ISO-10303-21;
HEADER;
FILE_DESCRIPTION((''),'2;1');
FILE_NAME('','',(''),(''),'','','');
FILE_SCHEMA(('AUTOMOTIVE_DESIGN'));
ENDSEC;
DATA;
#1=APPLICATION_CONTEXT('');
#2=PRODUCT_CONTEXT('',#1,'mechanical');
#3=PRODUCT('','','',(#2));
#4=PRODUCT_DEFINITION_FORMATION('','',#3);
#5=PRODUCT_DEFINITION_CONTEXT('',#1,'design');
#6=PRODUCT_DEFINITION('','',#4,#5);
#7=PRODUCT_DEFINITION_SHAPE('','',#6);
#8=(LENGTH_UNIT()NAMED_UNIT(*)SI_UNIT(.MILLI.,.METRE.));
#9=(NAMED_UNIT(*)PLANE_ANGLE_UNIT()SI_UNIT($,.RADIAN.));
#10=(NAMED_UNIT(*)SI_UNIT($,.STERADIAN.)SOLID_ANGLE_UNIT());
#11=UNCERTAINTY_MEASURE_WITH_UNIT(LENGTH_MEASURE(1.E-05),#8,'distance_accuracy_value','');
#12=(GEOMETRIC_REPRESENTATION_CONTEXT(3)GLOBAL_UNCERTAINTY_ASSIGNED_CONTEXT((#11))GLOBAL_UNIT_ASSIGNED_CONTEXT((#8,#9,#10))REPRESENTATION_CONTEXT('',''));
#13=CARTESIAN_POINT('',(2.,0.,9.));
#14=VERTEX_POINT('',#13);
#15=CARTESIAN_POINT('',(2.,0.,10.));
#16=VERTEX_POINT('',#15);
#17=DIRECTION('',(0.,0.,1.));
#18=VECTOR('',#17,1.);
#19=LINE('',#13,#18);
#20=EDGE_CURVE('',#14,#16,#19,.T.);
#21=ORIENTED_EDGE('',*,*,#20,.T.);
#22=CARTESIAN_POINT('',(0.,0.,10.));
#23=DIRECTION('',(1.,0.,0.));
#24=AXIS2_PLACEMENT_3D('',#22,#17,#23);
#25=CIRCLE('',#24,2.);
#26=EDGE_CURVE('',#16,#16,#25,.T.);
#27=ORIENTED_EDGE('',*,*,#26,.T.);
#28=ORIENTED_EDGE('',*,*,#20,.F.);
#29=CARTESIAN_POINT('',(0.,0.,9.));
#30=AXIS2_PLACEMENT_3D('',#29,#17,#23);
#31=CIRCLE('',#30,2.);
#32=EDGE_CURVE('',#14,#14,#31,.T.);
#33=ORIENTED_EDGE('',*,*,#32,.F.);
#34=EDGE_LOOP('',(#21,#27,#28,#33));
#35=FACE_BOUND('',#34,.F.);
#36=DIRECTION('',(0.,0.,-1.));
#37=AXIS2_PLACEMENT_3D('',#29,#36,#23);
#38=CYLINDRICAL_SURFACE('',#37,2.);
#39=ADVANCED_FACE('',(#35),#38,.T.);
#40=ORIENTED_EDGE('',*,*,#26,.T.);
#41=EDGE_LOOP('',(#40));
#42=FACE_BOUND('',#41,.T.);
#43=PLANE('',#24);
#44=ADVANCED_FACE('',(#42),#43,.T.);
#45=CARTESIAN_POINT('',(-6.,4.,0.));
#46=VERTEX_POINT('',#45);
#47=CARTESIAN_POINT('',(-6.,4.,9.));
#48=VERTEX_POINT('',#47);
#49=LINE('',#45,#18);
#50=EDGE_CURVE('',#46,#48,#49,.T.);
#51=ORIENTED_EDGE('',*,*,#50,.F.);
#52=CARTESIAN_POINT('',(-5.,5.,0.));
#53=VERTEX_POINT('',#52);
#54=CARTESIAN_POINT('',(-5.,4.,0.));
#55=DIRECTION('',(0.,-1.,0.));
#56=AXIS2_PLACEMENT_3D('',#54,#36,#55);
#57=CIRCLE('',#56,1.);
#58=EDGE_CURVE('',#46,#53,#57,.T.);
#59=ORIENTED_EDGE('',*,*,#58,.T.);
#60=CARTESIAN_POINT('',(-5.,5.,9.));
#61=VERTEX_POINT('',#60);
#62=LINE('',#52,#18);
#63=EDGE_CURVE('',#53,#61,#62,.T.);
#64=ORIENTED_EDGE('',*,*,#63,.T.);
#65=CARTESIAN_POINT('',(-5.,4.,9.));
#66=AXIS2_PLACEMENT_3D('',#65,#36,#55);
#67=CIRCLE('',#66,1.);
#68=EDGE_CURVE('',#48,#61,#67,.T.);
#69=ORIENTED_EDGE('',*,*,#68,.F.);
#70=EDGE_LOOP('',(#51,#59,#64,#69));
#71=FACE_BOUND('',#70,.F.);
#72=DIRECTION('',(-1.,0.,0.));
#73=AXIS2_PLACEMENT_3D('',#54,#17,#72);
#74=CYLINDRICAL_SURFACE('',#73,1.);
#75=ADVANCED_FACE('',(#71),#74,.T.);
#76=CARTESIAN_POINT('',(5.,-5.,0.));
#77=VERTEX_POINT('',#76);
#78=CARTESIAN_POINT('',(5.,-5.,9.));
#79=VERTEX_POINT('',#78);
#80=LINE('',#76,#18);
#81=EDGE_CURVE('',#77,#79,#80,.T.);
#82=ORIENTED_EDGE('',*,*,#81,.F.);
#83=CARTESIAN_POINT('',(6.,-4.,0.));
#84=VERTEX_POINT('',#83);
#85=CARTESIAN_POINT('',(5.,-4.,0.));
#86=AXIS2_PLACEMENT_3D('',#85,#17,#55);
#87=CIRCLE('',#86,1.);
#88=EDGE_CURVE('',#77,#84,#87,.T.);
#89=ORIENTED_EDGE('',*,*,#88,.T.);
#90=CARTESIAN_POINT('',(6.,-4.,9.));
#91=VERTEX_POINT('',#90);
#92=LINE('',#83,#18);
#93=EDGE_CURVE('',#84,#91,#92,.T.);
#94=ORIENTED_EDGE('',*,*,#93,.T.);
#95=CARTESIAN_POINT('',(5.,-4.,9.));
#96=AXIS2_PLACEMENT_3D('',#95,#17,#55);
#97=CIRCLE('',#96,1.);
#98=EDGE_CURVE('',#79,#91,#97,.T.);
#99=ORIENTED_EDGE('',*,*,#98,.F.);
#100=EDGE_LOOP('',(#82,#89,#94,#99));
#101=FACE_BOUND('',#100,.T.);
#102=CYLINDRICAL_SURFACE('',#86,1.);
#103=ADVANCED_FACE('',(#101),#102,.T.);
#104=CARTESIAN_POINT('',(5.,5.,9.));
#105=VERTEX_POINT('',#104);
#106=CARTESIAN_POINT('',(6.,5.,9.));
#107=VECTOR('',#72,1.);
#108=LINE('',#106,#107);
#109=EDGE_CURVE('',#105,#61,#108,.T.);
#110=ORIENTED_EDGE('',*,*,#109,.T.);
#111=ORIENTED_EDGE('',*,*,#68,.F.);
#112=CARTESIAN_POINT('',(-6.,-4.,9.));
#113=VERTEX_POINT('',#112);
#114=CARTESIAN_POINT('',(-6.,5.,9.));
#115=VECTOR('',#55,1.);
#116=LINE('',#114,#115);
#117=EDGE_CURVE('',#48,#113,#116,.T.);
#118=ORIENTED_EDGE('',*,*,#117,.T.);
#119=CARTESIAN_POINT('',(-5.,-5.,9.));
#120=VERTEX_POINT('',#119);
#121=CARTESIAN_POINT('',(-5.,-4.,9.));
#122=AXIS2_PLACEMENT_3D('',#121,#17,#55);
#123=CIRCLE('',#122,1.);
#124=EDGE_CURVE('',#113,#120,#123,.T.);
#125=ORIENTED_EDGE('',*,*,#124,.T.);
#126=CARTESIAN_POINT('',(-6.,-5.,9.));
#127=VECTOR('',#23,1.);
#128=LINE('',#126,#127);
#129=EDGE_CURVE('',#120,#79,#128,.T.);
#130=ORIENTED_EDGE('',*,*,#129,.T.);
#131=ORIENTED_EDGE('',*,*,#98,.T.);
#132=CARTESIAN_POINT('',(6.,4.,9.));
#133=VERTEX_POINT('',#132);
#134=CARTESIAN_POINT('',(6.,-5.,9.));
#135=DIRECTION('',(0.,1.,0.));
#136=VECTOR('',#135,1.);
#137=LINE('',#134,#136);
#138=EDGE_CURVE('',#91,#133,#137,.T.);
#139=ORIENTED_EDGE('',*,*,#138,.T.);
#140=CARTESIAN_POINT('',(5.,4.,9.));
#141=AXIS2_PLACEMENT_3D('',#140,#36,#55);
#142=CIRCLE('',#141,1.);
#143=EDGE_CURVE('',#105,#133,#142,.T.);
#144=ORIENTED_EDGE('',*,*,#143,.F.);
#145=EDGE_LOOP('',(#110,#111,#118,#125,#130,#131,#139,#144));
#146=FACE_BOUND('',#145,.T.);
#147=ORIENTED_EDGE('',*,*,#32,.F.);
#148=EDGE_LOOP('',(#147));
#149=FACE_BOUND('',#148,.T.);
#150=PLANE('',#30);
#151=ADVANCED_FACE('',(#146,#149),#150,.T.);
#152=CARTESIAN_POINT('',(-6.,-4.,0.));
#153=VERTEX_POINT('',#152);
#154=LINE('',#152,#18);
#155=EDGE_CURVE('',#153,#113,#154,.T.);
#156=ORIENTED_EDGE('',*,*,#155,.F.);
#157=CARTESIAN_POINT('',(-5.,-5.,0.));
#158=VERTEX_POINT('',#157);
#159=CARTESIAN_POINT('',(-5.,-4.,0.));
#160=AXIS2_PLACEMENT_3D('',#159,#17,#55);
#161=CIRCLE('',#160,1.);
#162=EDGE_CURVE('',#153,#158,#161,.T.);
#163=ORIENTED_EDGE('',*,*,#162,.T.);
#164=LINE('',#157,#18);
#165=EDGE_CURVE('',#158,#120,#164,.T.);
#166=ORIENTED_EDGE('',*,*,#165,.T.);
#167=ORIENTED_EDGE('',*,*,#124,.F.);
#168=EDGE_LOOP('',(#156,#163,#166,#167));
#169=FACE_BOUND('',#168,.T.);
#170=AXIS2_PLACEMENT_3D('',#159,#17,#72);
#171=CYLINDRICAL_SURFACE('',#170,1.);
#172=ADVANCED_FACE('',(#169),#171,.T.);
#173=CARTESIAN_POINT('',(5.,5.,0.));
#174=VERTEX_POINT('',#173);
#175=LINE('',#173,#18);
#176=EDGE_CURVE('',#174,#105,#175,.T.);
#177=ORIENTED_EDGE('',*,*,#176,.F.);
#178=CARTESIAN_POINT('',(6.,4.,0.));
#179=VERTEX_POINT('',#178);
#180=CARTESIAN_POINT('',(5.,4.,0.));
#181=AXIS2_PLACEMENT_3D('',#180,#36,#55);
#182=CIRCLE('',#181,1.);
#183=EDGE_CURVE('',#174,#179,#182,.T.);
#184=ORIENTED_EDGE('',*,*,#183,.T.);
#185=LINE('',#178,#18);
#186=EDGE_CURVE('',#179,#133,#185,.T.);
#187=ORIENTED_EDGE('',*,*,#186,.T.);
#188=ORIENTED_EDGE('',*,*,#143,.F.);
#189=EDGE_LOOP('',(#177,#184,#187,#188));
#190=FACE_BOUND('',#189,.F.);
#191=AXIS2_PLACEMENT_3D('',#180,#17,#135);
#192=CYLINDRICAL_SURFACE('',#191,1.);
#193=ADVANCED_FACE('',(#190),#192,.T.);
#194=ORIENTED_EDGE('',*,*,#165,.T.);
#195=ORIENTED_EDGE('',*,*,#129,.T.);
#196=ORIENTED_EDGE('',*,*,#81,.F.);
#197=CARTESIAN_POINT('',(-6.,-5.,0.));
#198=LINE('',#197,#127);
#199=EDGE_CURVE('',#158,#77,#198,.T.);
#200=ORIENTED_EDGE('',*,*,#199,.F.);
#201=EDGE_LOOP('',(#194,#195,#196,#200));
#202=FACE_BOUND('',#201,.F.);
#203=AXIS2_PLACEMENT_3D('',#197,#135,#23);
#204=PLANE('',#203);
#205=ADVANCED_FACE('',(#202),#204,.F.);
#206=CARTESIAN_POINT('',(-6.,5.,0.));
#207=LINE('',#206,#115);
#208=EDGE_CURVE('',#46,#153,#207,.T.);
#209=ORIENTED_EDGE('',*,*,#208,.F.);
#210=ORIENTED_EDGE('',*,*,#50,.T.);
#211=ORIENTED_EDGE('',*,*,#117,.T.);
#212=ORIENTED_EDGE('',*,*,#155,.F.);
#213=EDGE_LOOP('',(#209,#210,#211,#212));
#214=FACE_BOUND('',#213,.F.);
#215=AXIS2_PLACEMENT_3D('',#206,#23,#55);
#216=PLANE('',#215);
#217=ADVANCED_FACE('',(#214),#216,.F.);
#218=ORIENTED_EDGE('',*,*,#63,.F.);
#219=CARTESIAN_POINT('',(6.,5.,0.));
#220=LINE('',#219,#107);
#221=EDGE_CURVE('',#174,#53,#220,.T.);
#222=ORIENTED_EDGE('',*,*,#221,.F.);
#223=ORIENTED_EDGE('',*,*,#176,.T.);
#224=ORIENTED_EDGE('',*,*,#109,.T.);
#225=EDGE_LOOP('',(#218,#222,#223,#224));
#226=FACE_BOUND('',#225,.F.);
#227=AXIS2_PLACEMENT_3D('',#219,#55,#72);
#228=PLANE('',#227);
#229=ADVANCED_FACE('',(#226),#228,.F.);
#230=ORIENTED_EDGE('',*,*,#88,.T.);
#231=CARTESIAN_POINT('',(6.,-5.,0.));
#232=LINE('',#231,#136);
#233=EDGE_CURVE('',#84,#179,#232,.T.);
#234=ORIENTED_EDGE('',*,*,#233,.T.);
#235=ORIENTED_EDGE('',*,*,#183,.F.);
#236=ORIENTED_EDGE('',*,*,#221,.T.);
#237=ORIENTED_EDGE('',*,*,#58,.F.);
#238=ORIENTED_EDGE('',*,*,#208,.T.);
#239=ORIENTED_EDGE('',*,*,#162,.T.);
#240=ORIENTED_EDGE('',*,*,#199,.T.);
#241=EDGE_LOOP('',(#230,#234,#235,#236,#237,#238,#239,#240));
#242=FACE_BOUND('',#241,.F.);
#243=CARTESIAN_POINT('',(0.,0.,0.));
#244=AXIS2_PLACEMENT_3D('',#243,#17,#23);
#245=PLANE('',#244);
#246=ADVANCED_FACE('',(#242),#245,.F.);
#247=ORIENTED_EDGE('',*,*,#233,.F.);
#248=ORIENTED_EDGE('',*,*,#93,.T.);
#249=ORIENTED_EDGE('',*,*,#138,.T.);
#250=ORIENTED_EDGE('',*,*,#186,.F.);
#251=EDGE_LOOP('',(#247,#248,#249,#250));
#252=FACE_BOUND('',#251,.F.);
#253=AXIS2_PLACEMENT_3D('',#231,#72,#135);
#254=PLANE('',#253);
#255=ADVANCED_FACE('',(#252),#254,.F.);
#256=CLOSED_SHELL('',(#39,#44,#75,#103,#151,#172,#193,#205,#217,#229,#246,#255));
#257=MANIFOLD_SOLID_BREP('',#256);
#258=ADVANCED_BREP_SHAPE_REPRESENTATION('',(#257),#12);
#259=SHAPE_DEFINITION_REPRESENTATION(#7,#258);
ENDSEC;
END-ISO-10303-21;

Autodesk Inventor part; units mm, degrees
ref_plane "YZ Plane" through (0, 0, 0) normal (1, 0, 0) x (0, 1, 0)
ref_plane "XZ Plane" through (0, 0, 0) normal (0, 1, 0) x (-1, 0, 0)
ref_plane "XY Plane" through (0, 0, 0) normal (0, 0, 1) x (1, 0, 0)
sketch "Esquisse1" plane through (0, 0, 0) normal (0, 0, 1) x (1, 0, 0)
  line L0 (-6, -5) -> (6, -5)
  line L1 (6, -5) -> (6, 5)
  line L2 (6, 5) -> (-6, 5)
  line L3 (-6, 5) -> (-6, -5)
  point P0 (0, 0)
  dimension "d0" = 10
  dimension "d1" = 12
  dimension "d2" = 6
  dimension "d3" = 5
extrude "Extrusion1" add sketch "Esquisse1" along normal blind 9
sketch "Esquisse2" plane through (0, 0, 9) normal (0, 0, 1) x (1, 0, 0)
  circle A0 centre (0, 0) radius 2
  dimension "d6" = 4
extrude "Extrusion2" add sketch "Esquisse2" along normal blind 1
fillet "Congé1" radius 1 4 edges at (-6, 5, 4.5) (6, 5, 4.5) (6, -5, 4.5) (-6, -5, 4.5)
equation "\"d2\" = 0.5 * d1"
equation "\"d3\" = 0.5 * d0"
properties part number "reducteur" material "Laiton, jaune doux"
